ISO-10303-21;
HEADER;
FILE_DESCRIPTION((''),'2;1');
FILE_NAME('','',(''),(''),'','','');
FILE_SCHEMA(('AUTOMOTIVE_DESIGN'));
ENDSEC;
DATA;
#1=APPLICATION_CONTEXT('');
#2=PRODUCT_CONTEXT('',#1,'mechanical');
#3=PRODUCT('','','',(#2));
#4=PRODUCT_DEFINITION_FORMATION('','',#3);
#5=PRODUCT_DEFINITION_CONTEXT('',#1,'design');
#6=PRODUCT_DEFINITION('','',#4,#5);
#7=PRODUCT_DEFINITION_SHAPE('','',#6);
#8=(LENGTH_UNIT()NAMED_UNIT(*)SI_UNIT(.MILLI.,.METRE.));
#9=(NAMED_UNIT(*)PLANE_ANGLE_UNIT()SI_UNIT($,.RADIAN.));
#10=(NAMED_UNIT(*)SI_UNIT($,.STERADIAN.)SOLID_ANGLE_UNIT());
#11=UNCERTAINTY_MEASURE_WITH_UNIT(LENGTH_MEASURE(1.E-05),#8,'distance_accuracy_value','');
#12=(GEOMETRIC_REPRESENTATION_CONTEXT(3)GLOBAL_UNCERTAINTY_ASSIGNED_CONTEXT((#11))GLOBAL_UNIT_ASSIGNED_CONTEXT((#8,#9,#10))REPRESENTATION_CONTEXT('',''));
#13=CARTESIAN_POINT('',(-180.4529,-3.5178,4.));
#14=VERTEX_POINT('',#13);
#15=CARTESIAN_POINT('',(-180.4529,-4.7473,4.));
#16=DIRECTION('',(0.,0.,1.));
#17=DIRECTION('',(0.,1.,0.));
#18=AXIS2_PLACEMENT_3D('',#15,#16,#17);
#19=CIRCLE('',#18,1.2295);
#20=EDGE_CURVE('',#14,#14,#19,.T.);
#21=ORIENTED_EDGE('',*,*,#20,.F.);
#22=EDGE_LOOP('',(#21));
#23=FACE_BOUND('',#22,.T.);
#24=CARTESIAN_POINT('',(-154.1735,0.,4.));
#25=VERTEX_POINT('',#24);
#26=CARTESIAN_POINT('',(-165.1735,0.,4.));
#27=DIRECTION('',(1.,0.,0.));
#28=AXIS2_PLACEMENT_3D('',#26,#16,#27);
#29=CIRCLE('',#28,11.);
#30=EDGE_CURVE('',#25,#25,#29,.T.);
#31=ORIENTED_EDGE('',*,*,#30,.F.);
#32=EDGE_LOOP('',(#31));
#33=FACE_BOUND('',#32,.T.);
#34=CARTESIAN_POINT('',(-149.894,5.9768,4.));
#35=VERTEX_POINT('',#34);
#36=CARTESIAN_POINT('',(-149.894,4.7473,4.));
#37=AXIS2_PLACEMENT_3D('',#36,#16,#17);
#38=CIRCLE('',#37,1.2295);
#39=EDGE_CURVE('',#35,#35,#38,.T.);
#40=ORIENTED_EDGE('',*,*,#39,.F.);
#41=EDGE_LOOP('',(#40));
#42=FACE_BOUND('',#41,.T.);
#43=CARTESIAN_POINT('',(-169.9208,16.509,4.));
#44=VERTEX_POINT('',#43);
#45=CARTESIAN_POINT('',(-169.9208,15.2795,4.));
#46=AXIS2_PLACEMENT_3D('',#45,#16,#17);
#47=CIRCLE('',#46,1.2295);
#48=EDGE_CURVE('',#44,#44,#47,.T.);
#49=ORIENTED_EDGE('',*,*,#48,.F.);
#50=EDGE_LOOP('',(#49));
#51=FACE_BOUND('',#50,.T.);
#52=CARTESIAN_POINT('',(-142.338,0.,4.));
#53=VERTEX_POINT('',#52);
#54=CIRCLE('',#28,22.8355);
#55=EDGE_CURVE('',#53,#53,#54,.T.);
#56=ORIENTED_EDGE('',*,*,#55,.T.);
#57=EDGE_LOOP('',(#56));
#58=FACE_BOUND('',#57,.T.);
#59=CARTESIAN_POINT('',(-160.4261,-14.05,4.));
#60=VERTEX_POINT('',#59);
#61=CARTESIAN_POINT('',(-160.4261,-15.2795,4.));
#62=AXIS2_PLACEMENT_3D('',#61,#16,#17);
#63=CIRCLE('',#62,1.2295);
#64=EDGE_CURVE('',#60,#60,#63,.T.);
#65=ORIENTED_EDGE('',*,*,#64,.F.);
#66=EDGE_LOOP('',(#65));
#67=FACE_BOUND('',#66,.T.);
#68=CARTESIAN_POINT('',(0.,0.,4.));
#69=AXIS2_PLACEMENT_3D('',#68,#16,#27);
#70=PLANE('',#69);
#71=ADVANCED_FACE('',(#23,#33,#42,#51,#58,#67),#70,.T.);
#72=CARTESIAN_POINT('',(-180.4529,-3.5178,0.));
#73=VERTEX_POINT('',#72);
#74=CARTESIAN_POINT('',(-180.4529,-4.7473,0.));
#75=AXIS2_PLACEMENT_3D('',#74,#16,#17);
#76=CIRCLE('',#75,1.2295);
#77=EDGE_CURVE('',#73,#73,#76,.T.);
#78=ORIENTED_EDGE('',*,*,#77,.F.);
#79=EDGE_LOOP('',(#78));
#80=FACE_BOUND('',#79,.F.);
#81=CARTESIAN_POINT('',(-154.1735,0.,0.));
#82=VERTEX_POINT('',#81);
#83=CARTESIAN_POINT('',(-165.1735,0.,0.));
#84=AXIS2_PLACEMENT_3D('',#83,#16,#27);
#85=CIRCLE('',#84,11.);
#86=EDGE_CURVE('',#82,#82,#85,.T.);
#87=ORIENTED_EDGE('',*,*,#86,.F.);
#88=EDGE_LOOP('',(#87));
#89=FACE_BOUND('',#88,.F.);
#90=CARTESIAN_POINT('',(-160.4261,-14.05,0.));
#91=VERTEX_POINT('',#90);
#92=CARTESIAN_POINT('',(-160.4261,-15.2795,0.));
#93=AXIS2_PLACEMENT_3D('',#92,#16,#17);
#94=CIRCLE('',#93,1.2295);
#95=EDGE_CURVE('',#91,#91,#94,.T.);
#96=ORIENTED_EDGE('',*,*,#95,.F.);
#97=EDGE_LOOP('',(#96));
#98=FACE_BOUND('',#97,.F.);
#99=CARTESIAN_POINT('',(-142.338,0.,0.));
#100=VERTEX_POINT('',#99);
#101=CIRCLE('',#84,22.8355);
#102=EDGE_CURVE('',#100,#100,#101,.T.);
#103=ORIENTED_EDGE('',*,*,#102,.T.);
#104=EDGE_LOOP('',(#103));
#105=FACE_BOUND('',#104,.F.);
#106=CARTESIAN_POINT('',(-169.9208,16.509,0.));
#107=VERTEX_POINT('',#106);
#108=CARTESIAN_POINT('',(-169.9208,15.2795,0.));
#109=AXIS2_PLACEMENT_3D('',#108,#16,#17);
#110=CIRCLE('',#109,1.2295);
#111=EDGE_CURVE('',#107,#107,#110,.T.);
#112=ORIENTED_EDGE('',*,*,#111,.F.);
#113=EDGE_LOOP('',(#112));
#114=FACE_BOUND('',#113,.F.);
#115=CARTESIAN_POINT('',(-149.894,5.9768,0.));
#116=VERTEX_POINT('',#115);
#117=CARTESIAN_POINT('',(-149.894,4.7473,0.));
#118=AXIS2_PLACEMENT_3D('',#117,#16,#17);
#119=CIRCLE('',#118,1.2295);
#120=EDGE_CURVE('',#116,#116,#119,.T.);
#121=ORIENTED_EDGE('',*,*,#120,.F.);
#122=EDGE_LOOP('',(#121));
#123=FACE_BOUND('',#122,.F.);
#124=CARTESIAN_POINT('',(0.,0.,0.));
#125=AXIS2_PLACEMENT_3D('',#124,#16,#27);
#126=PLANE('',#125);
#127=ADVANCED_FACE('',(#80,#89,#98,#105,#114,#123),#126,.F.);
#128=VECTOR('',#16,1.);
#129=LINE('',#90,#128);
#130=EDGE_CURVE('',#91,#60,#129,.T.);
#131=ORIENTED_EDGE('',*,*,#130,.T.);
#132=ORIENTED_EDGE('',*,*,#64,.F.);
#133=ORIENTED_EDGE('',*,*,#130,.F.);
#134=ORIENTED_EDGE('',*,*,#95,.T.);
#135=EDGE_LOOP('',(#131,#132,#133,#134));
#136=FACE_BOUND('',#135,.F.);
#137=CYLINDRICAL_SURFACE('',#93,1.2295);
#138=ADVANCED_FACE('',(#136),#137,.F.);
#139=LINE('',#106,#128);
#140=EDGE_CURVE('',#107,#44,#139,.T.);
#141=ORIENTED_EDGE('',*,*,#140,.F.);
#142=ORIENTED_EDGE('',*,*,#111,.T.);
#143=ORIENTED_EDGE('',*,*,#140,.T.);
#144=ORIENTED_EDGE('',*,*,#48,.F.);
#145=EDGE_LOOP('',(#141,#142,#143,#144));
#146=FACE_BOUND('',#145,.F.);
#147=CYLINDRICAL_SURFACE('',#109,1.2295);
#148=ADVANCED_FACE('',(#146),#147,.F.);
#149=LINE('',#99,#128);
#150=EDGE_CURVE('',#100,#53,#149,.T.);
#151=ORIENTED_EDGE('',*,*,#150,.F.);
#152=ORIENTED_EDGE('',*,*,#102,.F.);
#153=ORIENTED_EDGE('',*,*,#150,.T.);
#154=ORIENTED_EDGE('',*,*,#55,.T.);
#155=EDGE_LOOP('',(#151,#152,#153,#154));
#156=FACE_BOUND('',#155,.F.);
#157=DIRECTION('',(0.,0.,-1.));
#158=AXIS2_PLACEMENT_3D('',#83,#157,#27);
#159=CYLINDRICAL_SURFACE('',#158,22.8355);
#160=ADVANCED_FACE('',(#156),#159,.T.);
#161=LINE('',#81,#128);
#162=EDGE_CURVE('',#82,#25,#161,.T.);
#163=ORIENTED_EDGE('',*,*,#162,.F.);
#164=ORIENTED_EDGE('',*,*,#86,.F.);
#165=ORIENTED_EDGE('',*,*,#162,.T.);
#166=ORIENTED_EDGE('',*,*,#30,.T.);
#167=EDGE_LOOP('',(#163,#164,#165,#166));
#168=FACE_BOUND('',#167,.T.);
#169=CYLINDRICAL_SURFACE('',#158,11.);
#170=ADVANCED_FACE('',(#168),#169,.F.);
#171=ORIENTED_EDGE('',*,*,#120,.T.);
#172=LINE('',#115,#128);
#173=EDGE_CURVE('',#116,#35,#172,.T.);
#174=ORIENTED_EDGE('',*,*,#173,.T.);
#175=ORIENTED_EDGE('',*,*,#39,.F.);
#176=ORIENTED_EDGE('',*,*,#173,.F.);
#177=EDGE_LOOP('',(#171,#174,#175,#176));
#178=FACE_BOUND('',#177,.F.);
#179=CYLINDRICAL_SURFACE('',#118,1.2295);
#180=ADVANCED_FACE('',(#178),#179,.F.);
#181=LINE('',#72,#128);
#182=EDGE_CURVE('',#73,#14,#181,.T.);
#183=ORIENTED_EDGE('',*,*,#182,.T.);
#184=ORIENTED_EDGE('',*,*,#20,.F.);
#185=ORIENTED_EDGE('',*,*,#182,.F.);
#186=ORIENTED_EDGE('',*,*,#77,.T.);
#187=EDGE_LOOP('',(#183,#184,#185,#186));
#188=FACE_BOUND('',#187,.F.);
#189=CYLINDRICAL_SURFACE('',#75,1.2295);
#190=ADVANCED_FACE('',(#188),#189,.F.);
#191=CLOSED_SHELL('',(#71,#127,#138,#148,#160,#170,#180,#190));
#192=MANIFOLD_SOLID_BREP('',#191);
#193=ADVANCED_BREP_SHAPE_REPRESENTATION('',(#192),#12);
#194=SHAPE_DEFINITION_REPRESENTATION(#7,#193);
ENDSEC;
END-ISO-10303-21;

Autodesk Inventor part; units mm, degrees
ref_plane "YZ Plane" through (0, 0, 0) normal (1, 0, 0) x (0, 1, 0)
ref_plane "Work Plane1" through (0, 0, 0) normal (0, 0, 1) x (1, 0, 0)
ref_plane "Work Plane2" through (0, 0, 0) normal (0, 0, 1) x (1, 0, 0)
sketch "Sketch2" plane through (0, 0, 0) normal (0, 0, 1) x (1, 0, 0)
  circle A0 centre (-137.1735, 0) radius 1.55
  circle A1 centre (-165.1735, -28) radius 1.55
  circle A2 centre (-165.1735, 28) radius 1.55
  circle A3 centre (-184.9724, -19.799) radius 1.55
  circle A4 centre (-145.3745, 19.799) radius 1.55
  circle A5 centre (-145.3745, -19.799) radius 1.55
  circle A6 centre (-184.9724, 19.799) radius 1.55
  circle A7 centre (-193.1735, 0) radius 1.55
  circle A8 centre (-165.1735, 0) radius 32.5
  circle A9 centre (-165.1735, 0) radius 22.8355
  circle A10 centre (-165.1735, 0) radius 11
  arc A11 (-152.3597, 3.5298) -> (-152.6156, 4.3532) centre (-149.894, 4.7473) ccw
  arc A12 (-152.6156, 4.3532) -> (-168.7032, 12.8137) centre (-165.1735, 0) ccw
  arc A13 (-168.7032, 12.8137) -> (-169.5266, 12.5579) centre (-169.9208, 15.2795) ccw
  arc A14 (-169.5266, 12.5579) -> (-177.9872, -3.5298) centre (-165.1735, 0) ccw
  arc A15 (-177.9872, -3.5298) -> (-177.7313, -4.3532) centre (-180.4529, -4.7473) ccw
  arc A16 (-177.7313, -4.3532) -> (-161.6437, -12.8137) centre (-165.1735, 0) ccw
  arc A17 (-161.6437, -12.8137) -> (-160.8203, -12.5579) centre (-160.4261, -15.2795) ccw
  arc A18 (-160.8203, -12.5579) -> (-152.3597, 3.5298) centre (-165.1735, 0) ccw
  circle A19 centre (-165.1735, 0) radius 20.2623
  circle A20 centre (-169.9208, 15.2795) radius 1.55
  circle A21 centre (-160.4261, -15.2795) radius 1.55
  circle A22 centre (-180.4529, -4.7473) radius 1.55
  circle A23 centre (-149.894, 4.7473) radius 1.55
  circle A24 centre (-165.1735, 0) radius 13.291
  point P0 (0, 0)
extrude "Extrusion2" add sketch "Sketch2" along normal blind 4 contours A9 | A24 A11 | A18 A24 A16 A14 A12 | A24 A13 | A17 A24 | A24 A15 | A19 | A20 | A21 | A22 | A23
sketch "Sketch3" plane through (-165.1735, 0, 0) normal (0, 0, -1) x (-1, 0, 0)
  point P0 (-165.1735, 0)
  point P1 (-15.2795, 4.7473)
  point P2 (4.7473, 15.2795)
  point P3 (15.2795, -4.7473)
  point P4 (-4.7473, -15.2795)
hole "Hole1" at (-149.894, 4.7473, 0) at (-169.9208, 15.2795, 0) at (-180.4529, -4.7473, 0) at (-160.4261, -15.2795, 0) direction (0, 0, 1) diameter 2.459 end through all thread size "M3x0.5" class "6H" standard "ISO Metric profile"
properties part number "lagerblokje" material "Aluminum 6061"
